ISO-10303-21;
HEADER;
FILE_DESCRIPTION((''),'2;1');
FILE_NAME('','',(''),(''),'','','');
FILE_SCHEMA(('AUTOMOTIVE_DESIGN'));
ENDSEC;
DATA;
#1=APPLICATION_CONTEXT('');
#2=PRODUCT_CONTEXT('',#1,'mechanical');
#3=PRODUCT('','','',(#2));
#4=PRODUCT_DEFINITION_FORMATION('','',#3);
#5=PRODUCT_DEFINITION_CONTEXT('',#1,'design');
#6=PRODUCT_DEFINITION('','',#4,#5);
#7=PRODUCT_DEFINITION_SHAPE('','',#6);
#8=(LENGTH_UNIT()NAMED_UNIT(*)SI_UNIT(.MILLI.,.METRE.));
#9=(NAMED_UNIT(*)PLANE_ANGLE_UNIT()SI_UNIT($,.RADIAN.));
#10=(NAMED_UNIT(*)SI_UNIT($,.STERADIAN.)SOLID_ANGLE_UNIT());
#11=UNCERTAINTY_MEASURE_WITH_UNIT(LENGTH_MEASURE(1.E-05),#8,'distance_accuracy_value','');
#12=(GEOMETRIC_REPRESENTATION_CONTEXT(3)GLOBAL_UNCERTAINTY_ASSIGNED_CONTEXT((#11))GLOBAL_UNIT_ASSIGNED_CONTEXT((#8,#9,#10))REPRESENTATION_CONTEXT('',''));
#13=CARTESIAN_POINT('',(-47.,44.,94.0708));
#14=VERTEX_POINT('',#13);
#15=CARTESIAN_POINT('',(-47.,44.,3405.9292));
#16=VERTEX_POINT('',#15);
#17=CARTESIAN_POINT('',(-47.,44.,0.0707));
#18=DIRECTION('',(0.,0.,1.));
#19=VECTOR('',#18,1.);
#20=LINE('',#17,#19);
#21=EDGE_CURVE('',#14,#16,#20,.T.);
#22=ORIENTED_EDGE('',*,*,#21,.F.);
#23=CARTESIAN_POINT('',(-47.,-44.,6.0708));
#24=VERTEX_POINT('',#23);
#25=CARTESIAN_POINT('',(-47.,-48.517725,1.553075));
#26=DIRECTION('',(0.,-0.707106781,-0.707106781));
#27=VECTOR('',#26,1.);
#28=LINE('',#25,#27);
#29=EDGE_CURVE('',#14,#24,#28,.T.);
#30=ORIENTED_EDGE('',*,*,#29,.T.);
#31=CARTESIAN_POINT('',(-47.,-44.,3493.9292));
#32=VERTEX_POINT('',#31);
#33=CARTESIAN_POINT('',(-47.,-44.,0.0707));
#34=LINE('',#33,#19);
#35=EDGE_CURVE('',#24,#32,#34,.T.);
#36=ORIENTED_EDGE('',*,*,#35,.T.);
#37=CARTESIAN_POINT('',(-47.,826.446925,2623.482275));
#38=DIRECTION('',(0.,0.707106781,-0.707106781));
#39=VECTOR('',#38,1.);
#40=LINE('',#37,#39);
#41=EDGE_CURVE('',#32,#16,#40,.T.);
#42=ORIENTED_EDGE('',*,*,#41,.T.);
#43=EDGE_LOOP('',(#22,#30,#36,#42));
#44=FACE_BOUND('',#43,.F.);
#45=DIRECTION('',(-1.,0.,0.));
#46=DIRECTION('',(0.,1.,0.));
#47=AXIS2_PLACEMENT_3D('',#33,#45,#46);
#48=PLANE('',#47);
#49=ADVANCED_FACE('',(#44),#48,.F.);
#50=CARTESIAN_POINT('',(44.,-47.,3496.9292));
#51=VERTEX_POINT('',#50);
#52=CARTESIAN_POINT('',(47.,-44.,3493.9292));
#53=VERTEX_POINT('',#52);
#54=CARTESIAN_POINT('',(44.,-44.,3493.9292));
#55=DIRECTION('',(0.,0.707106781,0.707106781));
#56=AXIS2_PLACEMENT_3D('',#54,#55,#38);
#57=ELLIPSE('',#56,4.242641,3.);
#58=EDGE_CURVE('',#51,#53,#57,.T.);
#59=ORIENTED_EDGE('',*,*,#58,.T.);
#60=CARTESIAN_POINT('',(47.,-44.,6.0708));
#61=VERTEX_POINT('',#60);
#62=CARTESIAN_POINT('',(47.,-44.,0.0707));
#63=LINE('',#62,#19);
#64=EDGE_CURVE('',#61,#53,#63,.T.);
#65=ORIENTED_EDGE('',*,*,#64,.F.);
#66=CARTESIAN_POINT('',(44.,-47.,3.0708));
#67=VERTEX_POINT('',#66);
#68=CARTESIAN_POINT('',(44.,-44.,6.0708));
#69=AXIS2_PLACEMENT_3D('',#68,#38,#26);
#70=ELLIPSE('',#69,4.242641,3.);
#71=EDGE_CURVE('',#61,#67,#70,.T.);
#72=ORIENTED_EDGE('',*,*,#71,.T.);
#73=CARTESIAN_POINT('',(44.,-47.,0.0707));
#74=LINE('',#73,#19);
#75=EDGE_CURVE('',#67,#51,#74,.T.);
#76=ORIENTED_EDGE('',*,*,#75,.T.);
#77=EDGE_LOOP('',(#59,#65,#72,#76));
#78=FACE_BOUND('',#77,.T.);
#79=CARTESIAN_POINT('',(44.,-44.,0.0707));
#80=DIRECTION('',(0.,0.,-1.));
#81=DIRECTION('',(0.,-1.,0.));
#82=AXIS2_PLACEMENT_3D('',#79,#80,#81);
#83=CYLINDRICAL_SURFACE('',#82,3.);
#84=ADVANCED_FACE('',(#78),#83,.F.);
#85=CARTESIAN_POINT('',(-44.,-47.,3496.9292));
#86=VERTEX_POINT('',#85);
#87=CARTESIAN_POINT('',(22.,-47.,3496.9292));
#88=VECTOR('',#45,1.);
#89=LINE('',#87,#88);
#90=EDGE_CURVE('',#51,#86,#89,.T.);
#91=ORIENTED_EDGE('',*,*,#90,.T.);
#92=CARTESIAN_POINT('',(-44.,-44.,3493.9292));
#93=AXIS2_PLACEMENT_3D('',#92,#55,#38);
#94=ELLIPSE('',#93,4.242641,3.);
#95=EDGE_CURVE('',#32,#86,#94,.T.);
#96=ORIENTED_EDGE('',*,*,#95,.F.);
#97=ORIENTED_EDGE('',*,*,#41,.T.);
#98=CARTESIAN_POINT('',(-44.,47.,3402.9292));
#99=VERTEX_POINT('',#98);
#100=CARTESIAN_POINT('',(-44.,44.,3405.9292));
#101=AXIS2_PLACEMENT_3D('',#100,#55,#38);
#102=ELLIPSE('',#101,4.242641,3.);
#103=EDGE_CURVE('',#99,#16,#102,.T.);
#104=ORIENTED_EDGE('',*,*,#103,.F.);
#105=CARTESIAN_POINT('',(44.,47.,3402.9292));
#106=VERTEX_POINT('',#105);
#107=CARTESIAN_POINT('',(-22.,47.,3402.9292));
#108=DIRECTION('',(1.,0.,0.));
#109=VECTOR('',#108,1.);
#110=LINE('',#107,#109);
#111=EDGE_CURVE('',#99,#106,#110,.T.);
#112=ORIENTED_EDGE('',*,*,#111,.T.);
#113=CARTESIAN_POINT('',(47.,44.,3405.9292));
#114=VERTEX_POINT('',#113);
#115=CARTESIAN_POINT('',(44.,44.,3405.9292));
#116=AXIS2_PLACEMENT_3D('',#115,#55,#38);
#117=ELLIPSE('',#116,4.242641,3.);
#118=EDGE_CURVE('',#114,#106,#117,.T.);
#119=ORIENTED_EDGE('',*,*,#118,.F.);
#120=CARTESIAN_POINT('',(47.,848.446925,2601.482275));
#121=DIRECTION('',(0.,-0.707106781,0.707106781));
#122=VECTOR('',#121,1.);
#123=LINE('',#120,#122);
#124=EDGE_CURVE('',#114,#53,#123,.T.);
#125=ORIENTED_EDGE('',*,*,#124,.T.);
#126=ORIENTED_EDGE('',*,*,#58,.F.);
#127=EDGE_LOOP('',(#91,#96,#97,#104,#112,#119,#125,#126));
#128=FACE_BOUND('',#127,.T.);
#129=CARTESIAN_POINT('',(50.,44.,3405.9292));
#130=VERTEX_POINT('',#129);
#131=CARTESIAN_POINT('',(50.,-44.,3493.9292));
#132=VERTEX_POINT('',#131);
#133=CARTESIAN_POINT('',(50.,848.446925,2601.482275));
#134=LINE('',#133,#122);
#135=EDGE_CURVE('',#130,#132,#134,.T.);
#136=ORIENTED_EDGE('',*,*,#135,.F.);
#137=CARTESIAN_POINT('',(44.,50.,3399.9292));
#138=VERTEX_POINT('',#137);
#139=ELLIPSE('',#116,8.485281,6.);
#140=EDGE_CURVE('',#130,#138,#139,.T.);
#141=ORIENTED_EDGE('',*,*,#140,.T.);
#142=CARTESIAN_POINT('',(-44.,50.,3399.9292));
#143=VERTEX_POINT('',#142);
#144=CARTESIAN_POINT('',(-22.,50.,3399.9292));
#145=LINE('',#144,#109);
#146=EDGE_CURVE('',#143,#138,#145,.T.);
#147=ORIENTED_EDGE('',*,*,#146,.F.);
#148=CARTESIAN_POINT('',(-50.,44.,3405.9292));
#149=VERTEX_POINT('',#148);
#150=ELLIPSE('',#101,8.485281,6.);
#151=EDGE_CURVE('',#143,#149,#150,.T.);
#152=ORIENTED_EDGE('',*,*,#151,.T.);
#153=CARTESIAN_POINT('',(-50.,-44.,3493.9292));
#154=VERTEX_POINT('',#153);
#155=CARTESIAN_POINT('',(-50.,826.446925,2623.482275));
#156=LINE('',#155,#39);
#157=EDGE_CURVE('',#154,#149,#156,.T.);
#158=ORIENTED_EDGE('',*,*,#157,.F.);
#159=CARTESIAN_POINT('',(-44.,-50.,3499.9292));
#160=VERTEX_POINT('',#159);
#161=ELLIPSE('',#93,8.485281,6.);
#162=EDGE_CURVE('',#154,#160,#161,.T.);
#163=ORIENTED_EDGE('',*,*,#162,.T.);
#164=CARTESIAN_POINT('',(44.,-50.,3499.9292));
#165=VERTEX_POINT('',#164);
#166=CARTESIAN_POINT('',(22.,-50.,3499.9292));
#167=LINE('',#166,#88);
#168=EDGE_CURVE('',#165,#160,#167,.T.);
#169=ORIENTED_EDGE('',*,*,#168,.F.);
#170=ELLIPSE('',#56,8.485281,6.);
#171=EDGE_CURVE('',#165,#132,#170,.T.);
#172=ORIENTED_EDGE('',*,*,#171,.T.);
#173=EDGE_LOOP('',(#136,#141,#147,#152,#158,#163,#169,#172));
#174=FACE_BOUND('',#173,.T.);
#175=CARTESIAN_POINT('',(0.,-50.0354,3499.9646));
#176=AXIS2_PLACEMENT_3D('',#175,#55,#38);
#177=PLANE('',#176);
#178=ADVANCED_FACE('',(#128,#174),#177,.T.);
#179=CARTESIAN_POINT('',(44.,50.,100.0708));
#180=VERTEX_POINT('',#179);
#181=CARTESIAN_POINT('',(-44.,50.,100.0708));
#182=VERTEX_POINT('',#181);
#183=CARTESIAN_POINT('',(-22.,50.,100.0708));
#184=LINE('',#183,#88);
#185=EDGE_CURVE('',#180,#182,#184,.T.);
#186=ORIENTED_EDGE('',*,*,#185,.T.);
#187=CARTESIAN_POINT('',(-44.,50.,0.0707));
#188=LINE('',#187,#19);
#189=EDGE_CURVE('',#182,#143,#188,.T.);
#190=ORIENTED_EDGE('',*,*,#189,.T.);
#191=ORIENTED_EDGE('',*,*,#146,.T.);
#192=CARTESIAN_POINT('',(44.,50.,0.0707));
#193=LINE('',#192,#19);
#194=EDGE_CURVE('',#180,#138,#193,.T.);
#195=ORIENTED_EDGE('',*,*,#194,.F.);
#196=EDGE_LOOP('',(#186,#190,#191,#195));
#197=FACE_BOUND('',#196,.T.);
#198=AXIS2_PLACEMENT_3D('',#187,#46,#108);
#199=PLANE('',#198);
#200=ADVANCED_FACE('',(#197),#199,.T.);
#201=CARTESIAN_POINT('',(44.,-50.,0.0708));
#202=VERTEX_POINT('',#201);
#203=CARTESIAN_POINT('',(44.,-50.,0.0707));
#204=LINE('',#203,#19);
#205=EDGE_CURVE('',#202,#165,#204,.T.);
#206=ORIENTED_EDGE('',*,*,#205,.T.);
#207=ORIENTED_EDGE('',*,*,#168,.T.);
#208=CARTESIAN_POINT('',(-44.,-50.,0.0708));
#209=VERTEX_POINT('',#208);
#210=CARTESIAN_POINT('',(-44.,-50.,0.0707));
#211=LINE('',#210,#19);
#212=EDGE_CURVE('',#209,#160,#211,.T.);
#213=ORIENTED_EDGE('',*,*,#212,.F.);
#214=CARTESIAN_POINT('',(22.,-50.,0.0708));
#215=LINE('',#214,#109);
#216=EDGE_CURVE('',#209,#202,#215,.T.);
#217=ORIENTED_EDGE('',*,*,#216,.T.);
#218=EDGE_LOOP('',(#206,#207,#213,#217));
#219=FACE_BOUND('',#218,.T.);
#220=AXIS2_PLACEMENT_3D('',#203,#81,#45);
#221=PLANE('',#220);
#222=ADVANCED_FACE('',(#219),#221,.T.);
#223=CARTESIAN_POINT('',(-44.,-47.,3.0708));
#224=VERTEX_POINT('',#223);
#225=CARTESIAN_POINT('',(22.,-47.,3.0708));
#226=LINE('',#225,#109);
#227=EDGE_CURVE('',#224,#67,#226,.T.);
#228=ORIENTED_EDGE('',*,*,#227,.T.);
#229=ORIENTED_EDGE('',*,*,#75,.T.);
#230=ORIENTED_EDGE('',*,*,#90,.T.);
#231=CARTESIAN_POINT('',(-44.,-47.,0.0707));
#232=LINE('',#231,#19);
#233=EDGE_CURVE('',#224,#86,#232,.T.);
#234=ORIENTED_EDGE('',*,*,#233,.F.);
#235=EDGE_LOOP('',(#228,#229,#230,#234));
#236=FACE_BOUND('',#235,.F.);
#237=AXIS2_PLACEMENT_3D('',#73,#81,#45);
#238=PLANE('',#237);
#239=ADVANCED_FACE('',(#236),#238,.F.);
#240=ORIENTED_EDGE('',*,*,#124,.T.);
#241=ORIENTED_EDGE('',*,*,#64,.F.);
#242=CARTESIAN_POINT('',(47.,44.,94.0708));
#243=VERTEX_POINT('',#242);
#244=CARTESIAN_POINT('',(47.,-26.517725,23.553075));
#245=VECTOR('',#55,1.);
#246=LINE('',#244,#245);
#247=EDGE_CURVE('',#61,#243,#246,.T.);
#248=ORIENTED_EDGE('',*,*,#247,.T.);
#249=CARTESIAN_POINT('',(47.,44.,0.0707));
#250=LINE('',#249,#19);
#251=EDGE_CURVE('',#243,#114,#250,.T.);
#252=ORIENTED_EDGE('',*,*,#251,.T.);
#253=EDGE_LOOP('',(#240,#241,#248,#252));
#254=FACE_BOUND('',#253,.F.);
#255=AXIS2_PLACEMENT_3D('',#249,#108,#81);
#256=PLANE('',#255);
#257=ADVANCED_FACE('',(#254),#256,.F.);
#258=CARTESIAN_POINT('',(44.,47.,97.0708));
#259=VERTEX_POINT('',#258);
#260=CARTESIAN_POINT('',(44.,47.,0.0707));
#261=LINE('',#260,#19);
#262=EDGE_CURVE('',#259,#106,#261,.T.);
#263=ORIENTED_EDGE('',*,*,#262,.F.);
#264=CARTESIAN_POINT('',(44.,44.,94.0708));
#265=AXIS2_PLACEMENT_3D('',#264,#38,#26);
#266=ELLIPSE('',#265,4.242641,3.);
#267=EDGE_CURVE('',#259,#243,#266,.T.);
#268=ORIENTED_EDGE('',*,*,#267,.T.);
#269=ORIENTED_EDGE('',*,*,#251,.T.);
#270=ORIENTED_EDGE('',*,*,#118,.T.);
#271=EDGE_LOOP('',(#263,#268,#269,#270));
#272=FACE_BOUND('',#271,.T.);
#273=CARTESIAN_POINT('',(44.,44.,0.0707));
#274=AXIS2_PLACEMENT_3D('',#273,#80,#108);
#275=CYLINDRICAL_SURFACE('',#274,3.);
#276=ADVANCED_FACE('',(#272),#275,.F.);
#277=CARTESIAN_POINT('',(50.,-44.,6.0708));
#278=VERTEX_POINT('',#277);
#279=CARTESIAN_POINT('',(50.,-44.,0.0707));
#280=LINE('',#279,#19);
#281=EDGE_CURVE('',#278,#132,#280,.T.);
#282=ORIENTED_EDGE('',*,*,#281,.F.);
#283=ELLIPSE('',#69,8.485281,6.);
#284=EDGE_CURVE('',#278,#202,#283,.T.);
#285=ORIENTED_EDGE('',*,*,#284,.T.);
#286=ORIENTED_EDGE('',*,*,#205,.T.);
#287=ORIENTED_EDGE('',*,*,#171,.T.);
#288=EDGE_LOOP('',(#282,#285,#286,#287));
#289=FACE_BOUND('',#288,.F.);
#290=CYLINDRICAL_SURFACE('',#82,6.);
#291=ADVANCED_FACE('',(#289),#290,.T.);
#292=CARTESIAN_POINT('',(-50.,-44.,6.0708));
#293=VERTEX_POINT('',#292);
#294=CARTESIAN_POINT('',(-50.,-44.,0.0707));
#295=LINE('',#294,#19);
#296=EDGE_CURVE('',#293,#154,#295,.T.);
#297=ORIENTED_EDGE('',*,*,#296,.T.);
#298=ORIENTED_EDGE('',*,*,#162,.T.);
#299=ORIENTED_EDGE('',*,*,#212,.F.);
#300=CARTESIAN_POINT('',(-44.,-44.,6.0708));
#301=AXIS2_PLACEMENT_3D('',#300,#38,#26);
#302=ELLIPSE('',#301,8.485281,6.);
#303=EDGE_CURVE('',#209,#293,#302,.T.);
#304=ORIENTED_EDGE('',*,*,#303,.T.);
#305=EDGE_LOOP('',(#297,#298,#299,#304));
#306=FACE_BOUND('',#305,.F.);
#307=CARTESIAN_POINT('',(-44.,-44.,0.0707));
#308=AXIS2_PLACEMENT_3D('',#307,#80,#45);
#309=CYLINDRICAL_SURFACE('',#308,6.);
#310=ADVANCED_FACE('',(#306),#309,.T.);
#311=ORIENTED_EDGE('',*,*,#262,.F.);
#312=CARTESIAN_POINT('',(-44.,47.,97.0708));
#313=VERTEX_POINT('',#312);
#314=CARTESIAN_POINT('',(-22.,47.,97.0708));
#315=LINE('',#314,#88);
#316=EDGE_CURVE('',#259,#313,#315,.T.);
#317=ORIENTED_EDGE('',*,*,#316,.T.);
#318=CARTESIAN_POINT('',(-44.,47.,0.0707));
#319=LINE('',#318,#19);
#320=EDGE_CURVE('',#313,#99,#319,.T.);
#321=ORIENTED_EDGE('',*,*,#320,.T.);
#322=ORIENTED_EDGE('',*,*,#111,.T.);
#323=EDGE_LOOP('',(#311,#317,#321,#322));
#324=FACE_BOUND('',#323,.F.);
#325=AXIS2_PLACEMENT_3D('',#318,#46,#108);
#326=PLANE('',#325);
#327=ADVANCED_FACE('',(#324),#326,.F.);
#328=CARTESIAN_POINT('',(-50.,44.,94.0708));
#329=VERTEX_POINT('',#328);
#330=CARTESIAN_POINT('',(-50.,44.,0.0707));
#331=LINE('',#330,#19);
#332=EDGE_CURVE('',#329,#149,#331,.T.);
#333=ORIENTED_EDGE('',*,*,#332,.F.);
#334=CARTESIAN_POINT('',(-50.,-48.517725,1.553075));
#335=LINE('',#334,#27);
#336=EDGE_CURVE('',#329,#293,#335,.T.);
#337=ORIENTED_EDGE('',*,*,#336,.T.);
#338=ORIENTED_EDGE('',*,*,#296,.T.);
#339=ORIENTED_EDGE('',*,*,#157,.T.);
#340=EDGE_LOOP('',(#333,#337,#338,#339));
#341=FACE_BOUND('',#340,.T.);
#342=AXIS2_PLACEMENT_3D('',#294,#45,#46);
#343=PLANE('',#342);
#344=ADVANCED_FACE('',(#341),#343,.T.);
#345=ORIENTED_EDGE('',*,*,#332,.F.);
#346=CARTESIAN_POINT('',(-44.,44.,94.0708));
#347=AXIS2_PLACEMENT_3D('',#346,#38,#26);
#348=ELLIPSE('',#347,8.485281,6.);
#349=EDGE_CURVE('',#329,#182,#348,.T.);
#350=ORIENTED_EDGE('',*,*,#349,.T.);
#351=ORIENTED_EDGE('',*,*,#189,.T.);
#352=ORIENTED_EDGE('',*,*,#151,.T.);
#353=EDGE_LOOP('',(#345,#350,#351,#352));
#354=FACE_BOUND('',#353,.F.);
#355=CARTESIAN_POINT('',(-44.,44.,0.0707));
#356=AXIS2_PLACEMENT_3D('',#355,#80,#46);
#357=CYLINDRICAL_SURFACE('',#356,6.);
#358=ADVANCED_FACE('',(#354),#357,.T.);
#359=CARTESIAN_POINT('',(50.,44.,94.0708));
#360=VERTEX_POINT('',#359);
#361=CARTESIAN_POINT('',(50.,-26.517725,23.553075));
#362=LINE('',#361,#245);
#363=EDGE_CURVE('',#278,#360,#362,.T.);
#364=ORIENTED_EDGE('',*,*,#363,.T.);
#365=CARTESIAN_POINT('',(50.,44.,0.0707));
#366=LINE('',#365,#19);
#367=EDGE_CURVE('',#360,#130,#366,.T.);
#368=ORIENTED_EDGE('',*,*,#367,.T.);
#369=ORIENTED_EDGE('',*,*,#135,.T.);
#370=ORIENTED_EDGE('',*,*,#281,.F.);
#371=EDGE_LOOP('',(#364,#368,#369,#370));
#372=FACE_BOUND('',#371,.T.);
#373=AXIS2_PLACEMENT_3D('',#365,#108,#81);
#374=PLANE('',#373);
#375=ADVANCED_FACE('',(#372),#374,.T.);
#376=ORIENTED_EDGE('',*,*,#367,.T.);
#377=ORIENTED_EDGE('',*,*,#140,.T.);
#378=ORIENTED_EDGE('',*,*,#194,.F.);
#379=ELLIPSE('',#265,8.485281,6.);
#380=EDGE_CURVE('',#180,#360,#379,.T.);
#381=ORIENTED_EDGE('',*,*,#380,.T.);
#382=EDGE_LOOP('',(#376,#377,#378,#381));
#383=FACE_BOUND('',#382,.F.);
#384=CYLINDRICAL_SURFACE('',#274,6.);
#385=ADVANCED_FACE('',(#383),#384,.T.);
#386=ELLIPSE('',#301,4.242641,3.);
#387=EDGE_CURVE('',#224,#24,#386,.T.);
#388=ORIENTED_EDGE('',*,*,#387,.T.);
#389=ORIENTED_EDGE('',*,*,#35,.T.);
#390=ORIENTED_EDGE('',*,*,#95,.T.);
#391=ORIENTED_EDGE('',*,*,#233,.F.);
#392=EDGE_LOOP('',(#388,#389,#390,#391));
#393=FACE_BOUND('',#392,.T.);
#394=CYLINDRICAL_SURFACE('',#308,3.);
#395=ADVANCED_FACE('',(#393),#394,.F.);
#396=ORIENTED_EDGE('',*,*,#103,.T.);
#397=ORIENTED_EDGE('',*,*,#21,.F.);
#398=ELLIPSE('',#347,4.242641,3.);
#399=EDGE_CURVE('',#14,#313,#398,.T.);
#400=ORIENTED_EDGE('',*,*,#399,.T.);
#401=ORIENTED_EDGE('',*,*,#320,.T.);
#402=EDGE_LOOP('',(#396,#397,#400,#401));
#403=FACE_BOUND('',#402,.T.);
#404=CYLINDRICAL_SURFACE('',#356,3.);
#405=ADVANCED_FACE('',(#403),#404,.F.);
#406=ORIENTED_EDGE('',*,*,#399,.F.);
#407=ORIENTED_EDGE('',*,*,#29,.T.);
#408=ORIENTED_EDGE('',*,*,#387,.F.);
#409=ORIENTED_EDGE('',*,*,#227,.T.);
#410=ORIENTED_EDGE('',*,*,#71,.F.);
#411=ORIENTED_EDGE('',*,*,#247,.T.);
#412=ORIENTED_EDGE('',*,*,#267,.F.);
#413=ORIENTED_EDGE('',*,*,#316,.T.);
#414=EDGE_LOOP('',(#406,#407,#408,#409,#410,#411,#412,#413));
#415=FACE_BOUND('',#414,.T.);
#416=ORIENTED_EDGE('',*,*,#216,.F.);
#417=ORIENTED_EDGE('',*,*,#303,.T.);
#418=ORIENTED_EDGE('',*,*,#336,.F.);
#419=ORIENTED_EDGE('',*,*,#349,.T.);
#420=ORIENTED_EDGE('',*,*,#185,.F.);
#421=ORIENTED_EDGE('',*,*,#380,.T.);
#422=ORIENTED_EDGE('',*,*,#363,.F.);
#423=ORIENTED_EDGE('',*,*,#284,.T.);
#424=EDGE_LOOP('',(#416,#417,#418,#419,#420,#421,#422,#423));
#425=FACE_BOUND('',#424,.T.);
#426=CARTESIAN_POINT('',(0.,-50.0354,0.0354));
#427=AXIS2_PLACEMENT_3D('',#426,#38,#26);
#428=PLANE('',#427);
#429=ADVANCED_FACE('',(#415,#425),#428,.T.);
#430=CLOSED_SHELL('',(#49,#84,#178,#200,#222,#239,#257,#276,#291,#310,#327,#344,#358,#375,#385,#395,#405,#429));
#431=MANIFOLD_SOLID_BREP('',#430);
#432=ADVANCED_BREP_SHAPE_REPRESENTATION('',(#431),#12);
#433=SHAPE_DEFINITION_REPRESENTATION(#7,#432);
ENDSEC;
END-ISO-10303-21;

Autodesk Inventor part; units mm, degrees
ref_plane "Start Plane" through (0, 0, 0.0707) normal (0, 0, 1) x (1, 0, 0)
ref_plane "End Plane" through (0, 0, 3499.9293) normal (0, 0, 1) x (1, 0, 0)
sketch "Sketch" plane through (0, 0, 0) normal (0, 0, 1) x (1, 0, 0)
  line L0 (-50, -44) -> (-50, 44)
  line L1 (-44, 50) -> (44, 50)
  line L2 (50, 44) -> (50, -44)
  line L3 (44, -50) -> (-44, -50)
  arc A0 (-50, -44) -> (-44, -50) centre (-44, -44) ccw
  arc A1 (50, 44) -> (44, 50) centre (44, 44) ccw
  arc A2 (-44, 50) -> (-50, 44) centre (-44, 44) ccw
  arc A3 (44, -50) -> (50, -44) centre (44, -44) ccw
  arc A4 (-44, 47) -> (-47, 44) centre (-44, 44) ccw
  line L4 (-44, 47) -> (44, 47)
  arc A5 (47, 44) -> (44, 47) centre (44, 44) ccw
  line L5 (47, 44) -> (47, -44)
  arc A6 (44, -47) -> (47, -44) centre (44, -44) ccw
  line L6 (44, -47) -> (-44, -47)
  arc A7 (-47, -44) -> (-44, -47) centre (-44, -44) ccw
  line L7 (-47, -44) -> (-47, 44)
  line L8 (0, 71.7397) -> (0, -71.7397) construction
  line L9 (-71.7397, 0) -> (71.7397, 0) construction
  dimension "d7" = 6
  dimension "d9" = 100
  dimension "d11" = 100
  dimension "d12" = 3
  dimension "d15" = 50
  dimension "d16" = 50
extrude "Body" add sketch "Sketch" along normal up to surface (3499.8586 mm away) from surface at 0.0707
sketch "Sketch3" plane through (0, 0, 0) normal (0, 0, 1) x (1, 0, 0)
  line L0 (0, 0) -> (10, 0)
ref_plane "Work Plane3" through (0, 0, 0) normal (0, -1, 0) x (1, 0, 0)
ref_plane "Work Plane4" through (0, -50.0354, 3499.9646) normal (0, 0.7071, 0.7071) x (1, 0, 0)
split "Split1" plane through (0, -50.0354, 3499.9646) removes the side toward (0, 0.7071, 0.7071)
ref_plane "Work Plane5" through (0, -50.0354, 0.0354) normal (0, 0.7071, -0.7071) x (1, 0, 0)
split "Split2" plane through (0, -50.0354, 0.0354) removes the side toward (0, 0.7071, -0.7071)
sketch "Sketch4" plane through (0, 0, 0) normal (0, -1, 0) x (1, 0, 0)
  line L0 (-2, 0.0707) -> (12, 0.0707) projected
  line L1 (-2, 3499.9293) -> (12, 3499.9293) projected
  dimension "d18" = 3499.8586
equation "\"d7\" = G_IR"
equation "\"d9\" = G_W"
equation "\"d11\" = G_H"
equation "\"d12\" = G_T"
equation "\"d15\" = 0.5 * d9"
equation "\"d16\" = 0.5 * d11"
equation "\"d3\" = G_L"
equation "\"G_W\" = 100"
equation "\"G_H\" = 100"
equation "\"G_T\" = 3"
equation "\"G_IR\" = 6"
equation "\"G_L\" = d18"
equation "\"G_OFFSET_START\" = -0.07071"
equation "\"G_OFFSET_END\" = -0.07071"
equation "\"d13\" = -G_OFFSET_START"
equation "\"d14\" = G_OFFSET_END + B_L"
equation "\"B_L\" = 3500"
properties part number "ISO 10799-2 - 100x100x3 - 3499.86" material "Steel"
